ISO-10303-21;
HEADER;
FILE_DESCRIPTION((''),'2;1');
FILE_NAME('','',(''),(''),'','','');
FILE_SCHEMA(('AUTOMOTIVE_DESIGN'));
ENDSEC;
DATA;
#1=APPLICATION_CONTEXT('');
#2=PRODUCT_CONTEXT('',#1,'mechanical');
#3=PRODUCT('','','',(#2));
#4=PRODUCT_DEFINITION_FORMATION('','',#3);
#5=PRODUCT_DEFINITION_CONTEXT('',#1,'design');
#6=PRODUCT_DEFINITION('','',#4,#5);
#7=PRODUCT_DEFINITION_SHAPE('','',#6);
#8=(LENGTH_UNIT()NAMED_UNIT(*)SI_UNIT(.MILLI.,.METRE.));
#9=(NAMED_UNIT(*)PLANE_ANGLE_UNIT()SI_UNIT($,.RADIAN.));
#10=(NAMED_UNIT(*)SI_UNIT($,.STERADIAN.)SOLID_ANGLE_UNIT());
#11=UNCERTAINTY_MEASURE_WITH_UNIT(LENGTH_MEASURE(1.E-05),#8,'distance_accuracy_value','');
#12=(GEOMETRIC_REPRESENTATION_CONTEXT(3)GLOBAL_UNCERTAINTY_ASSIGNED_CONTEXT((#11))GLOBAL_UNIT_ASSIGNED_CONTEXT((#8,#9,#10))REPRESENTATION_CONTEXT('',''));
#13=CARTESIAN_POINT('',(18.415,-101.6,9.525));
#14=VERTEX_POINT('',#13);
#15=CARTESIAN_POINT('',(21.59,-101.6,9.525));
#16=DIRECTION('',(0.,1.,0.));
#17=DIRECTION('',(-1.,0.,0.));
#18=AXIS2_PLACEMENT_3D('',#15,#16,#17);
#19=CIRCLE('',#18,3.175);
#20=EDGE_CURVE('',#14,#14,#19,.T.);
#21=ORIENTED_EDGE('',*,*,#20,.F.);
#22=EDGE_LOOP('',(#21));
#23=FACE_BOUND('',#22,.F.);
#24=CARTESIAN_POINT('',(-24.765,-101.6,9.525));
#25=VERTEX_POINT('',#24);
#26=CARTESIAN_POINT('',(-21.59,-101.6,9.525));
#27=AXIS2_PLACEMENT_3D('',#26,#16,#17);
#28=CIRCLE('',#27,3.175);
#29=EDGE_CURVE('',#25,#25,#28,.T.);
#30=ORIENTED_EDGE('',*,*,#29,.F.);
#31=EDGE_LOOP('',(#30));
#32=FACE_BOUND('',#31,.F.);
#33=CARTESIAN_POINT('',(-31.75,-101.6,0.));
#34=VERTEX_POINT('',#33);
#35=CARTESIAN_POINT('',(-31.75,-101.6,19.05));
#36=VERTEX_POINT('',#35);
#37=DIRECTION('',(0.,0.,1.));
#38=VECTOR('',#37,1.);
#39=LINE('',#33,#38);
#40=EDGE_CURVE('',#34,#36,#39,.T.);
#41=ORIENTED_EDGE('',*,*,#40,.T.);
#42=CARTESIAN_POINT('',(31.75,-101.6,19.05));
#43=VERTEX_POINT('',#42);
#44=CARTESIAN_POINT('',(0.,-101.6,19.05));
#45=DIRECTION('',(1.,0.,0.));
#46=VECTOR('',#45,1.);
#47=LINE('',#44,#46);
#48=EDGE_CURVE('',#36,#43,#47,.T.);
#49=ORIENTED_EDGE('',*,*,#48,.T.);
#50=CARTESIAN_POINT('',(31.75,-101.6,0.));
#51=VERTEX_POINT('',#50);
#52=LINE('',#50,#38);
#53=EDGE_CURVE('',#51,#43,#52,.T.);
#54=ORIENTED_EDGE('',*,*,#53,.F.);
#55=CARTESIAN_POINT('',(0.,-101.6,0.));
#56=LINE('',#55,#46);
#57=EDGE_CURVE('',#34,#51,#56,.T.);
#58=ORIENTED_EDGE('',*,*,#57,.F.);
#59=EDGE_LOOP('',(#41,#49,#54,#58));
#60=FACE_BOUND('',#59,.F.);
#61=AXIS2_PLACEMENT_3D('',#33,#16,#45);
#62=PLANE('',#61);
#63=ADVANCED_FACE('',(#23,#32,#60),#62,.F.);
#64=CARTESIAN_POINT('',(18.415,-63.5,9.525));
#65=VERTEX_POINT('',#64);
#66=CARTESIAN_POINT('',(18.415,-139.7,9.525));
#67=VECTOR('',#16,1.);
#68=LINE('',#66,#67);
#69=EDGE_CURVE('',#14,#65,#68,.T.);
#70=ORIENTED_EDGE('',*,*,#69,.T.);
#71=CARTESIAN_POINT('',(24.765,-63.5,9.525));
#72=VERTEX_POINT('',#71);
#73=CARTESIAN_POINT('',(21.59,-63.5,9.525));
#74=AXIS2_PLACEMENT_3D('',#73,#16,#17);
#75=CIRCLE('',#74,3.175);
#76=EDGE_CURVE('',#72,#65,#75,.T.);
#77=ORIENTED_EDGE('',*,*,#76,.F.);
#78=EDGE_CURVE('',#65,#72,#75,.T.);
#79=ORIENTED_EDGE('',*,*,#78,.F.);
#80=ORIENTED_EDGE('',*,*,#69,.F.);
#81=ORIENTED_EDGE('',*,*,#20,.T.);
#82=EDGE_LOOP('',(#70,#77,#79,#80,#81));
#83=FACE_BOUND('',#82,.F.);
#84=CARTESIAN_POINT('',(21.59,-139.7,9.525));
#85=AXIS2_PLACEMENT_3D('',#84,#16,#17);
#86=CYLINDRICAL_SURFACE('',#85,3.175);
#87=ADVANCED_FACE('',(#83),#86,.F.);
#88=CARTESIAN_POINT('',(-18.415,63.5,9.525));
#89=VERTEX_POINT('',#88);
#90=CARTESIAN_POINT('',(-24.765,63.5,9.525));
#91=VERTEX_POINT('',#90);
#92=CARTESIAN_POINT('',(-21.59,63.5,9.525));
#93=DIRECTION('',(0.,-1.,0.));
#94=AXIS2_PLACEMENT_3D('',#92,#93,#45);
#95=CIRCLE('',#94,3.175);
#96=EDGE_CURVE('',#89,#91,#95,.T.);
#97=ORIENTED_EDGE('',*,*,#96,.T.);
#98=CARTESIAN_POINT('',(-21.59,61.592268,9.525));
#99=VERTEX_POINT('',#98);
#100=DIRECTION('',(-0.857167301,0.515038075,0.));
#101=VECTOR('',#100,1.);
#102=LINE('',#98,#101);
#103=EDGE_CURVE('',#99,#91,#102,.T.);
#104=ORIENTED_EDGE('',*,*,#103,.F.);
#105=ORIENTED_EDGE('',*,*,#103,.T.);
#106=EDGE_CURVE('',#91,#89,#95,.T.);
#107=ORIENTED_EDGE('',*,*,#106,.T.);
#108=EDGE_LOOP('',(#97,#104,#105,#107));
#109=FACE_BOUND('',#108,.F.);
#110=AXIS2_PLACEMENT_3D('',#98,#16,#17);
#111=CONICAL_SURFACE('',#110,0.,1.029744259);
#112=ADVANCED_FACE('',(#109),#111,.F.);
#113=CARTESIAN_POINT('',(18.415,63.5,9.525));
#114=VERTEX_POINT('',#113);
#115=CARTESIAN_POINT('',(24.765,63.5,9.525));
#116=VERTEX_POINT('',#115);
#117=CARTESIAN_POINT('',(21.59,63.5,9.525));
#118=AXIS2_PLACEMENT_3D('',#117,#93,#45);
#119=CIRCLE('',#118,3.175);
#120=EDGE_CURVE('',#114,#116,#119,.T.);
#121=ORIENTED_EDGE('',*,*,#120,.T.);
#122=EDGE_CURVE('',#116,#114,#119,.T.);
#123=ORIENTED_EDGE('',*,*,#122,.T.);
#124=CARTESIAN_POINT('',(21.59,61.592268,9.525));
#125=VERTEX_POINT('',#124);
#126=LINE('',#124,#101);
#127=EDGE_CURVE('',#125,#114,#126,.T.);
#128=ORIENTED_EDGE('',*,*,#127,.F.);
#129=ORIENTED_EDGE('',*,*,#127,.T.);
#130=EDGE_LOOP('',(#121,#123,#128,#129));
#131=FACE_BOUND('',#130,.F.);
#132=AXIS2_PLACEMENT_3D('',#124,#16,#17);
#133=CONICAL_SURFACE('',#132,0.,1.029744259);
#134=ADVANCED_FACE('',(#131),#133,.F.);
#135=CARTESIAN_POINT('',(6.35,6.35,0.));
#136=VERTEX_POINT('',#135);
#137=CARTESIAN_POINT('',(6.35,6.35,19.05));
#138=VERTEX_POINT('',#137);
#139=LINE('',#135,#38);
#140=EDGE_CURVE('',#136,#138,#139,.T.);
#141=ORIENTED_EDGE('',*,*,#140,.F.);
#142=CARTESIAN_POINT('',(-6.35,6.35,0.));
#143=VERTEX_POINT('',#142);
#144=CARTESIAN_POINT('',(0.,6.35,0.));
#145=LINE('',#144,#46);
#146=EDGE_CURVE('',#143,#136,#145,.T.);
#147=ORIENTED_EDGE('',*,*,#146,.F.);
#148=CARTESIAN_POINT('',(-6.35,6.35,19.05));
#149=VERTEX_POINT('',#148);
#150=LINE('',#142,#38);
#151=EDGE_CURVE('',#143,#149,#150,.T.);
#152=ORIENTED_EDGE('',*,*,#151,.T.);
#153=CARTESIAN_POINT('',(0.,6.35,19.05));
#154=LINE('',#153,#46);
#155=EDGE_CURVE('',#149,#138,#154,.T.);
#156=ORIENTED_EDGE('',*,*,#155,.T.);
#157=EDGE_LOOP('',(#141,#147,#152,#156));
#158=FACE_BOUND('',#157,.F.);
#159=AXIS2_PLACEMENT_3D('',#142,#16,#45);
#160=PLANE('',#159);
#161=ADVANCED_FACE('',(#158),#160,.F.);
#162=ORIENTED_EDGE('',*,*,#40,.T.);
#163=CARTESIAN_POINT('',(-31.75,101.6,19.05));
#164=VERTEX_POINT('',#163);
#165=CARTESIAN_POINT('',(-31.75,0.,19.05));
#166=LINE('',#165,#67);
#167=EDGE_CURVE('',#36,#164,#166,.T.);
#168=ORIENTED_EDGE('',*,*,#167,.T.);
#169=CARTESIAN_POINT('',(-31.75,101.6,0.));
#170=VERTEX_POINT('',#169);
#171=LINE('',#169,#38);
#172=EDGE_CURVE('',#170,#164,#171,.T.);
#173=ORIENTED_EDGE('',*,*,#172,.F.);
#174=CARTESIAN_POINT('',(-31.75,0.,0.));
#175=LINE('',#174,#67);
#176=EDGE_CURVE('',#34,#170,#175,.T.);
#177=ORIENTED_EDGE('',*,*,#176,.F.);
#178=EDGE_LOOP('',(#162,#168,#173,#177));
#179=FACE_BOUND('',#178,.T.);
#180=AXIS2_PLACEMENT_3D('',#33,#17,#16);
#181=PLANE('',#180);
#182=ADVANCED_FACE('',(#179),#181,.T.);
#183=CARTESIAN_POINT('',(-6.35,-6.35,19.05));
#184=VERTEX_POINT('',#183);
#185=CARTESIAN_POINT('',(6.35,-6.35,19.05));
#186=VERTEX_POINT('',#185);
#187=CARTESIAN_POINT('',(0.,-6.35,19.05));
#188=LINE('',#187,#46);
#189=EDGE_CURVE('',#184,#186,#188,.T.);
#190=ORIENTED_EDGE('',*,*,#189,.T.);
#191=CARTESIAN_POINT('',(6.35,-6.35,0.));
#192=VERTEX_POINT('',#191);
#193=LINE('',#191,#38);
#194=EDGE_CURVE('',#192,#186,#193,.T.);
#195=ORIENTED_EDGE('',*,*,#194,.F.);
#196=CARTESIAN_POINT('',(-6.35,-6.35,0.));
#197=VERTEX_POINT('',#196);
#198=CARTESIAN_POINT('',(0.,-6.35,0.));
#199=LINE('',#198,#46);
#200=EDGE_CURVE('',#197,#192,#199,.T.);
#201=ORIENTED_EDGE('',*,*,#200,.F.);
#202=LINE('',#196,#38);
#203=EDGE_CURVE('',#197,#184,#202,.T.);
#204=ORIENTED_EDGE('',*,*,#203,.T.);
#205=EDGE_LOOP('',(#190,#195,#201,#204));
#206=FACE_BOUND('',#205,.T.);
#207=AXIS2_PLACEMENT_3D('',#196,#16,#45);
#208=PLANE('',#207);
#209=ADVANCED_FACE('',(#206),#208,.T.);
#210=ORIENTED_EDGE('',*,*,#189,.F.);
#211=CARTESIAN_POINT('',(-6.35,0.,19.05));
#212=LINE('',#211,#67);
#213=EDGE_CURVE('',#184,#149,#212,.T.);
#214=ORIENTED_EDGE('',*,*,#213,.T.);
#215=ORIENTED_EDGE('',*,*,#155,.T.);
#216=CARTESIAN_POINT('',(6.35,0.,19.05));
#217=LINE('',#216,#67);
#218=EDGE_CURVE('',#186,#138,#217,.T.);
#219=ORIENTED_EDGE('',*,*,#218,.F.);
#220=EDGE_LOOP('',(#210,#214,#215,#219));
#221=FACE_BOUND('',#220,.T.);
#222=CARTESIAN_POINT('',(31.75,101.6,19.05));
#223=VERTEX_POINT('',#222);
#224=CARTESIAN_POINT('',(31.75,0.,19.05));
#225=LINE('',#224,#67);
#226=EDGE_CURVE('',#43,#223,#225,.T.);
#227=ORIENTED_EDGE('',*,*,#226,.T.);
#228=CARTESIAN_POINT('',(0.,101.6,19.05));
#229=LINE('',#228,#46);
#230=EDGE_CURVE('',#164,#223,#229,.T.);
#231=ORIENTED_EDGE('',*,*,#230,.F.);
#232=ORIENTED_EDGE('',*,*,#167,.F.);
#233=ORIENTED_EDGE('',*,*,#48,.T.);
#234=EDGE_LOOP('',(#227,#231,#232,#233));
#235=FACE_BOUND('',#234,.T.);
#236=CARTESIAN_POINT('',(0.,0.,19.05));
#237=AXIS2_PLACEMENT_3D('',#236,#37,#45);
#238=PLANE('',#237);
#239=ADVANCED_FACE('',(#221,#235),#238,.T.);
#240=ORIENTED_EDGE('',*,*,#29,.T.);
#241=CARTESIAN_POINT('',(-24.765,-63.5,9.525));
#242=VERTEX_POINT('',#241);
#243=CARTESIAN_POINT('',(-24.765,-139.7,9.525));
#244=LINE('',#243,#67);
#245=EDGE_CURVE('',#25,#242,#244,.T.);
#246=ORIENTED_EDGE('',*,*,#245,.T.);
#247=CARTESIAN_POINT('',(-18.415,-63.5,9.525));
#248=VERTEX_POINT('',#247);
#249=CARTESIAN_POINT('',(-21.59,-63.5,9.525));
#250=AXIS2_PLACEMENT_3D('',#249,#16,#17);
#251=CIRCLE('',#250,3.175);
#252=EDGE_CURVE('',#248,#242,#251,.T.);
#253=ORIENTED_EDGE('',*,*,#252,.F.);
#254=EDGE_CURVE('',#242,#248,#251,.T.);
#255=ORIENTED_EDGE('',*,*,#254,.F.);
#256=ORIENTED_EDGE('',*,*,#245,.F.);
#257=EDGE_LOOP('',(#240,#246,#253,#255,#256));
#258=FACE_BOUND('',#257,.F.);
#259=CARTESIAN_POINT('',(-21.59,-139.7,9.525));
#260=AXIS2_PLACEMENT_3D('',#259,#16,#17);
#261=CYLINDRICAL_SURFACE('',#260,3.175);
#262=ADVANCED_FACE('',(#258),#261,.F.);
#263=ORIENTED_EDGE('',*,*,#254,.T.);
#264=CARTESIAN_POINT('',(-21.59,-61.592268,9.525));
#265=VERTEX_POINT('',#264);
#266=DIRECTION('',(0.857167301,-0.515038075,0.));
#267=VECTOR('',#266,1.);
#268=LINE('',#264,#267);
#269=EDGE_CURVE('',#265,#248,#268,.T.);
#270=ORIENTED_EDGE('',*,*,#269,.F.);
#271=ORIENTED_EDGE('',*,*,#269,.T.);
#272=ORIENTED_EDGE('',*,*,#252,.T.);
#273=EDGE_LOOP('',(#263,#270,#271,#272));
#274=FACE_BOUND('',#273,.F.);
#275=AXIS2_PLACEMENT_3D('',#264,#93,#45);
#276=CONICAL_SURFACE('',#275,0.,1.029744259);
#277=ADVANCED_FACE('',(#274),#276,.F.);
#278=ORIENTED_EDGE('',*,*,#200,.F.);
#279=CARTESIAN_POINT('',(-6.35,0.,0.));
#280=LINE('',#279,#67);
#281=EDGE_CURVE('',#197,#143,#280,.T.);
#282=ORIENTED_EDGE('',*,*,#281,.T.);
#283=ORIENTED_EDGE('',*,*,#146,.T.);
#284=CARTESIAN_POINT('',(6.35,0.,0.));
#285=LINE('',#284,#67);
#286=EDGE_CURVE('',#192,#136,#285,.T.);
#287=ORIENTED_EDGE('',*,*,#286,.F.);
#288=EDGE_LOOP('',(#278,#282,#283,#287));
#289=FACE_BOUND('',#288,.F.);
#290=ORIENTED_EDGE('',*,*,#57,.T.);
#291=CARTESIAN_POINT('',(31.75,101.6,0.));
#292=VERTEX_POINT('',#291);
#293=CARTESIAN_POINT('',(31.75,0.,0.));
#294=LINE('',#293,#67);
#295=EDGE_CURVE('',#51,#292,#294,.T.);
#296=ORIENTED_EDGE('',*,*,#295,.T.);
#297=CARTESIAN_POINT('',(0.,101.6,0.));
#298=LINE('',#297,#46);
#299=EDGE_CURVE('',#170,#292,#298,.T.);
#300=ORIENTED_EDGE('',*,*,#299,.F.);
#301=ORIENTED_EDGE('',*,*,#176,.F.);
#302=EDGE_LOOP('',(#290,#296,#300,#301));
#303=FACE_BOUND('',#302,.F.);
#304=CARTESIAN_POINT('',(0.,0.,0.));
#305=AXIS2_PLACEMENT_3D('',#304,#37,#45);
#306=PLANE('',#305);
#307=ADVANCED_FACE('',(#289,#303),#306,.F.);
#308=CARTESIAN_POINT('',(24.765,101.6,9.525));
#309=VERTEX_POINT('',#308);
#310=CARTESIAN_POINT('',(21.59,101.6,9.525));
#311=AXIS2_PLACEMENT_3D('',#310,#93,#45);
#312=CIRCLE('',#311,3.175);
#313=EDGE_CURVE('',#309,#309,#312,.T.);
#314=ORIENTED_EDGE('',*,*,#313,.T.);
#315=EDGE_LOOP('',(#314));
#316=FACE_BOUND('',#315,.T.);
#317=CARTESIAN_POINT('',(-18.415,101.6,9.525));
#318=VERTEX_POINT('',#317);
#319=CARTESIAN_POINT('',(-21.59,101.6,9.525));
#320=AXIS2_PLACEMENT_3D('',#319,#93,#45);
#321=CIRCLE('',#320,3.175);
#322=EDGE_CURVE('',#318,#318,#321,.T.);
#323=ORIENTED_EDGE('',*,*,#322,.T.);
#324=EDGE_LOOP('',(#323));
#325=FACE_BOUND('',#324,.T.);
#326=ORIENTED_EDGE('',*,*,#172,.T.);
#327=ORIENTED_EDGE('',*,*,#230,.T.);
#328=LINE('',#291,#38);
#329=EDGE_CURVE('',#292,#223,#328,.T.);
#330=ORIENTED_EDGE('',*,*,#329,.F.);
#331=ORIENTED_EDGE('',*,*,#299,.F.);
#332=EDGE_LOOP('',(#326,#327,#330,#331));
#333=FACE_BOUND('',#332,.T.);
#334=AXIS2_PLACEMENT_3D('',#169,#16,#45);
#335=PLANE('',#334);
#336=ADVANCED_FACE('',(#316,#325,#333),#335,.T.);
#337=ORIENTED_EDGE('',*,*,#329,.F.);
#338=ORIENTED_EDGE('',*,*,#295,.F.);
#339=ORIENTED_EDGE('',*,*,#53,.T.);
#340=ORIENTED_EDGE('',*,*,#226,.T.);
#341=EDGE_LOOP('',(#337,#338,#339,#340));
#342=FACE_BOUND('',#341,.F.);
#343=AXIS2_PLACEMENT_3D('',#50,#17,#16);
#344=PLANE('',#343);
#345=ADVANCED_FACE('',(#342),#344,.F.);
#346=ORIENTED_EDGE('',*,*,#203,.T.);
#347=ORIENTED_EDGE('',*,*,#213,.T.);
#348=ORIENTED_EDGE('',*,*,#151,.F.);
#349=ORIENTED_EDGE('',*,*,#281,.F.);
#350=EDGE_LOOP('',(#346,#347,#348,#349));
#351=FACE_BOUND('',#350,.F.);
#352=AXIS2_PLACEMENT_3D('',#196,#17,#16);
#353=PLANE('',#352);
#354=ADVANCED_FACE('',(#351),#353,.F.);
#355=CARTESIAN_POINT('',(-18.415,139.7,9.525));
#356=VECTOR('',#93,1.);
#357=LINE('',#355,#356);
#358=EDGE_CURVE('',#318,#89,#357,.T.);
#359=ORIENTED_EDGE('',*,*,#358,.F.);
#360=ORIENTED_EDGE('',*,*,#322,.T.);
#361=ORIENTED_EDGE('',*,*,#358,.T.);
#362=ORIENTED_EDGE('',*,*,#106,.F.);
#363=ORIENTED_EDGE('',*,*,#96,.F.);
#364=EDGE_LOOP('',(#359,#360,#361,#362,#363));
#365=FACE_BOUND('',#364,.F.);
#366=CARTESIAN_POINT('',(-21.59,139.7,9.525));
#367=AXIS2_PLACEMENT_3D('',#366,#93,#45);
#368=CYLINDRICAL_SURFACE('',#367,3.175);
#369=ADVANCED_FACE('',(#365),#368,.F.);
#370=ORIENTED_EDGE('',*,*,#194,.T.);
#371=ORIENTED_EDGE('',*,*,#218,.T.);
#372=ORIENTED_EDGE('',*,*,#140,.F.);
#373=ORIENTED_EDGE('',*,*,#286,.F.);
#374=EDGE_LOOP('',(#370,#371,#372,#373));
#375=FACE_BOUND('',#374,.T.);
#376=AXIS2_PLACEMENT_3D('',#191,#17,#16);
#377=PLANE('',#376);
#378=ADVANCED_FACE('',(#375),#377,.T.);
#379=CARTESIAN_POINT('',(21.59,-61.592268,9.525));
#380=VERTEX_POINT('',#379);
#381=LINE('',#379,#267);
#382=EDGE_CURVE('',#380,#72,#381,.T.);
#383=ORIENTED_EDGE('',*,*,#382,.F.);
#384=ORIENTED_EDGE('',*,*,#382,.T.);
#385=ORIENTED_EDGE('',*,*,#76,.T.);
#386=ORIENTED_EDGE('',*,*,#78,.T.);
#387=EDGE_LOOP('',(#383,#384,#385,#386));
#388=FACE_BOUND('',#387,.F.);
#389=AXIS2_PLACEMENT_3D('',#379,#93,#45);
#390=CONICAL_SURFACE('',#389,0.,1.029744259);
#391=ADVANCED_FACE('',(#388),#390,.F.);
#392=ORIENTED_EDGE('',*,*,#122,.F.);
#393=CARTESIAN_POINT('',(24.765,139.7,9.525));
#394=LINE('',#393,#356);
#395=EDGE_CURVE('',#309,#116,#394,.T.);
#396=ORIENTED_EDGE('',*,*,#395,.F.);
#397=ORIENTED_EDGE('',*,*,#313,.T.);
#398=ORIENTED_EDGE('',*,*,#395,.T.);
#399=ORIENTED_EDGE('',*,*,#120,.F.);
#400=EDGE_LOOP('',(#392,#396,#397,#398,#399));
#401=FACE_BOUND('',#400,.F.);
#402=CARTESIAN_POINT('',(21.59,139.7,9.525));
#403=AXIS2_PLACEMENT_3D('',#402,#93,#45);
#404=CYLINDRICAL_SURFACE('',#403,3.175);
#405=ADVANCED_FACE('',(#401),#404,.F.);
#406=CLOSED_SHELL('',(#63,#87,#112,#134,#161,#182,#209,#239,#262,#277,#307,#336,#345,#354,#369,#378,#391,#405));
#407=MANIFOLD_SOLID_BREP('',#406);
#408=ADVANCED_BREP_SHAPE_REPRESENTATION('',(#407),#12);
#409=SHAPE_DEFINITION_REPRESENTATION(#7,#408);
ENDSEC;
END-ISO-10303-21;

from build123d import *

# Parameters (mm, degrees)
F0_W     = 63.5
F0_H     = 203.2
F0_W_2   = 12.7
F0_H_2   = 12.7
F1_DEPTH = 19.05
F3_D     = 6.35
F3_DEPTH = 38.1
F3_TIP   = 1.9077324654
F5_D     = 6.35
F5_DEPTH = 38.1
F5_TIP   = 1.9077324654


with BuildPart() as f1:
    # F0 (on Top) → F1 (new body)
    with BuildSketch(Plane.XY):
        Rectangle(F0_W, F0_H)
        Rectangle(F0_W_2, F0_H_2, mode=Mode.SUBTRACT)
    extrude(amount=F1_DEPTH)

    # F3
    with Locations(Plane.XZ.offset(101.6)):
        with Locations((-21.59, 9.525), (21.59, 9.525)):
            Hole(F3_D / 2, depth=F3_DEPTH)
            with Locations((0, 0, -(F3_DEPTH + F3_TIP / 2))):  # 118° drill point
                Cone(0, F3_D / 2, F3_TIP, mode=Mode.SUBTRACT)

    # F5
    with Locations(Plane(origin=(0, 101.6, 0), x_dir=(-1, 0, 0), z_dir=(0, 1, 0))):
        with Locations((21.59, 9.525), (-21.59, 9.525)):
            Hole(F5_D / 2, depth=F5_DEPTH)
            with Locations((0, 0, -(F5_DEPTH + F5_TIP / 2))):  # 118° drill point
                Cone(0, F5_D / 2, F5_TIP, mode=Mode.SUBTRACT)


solid = f1.part
